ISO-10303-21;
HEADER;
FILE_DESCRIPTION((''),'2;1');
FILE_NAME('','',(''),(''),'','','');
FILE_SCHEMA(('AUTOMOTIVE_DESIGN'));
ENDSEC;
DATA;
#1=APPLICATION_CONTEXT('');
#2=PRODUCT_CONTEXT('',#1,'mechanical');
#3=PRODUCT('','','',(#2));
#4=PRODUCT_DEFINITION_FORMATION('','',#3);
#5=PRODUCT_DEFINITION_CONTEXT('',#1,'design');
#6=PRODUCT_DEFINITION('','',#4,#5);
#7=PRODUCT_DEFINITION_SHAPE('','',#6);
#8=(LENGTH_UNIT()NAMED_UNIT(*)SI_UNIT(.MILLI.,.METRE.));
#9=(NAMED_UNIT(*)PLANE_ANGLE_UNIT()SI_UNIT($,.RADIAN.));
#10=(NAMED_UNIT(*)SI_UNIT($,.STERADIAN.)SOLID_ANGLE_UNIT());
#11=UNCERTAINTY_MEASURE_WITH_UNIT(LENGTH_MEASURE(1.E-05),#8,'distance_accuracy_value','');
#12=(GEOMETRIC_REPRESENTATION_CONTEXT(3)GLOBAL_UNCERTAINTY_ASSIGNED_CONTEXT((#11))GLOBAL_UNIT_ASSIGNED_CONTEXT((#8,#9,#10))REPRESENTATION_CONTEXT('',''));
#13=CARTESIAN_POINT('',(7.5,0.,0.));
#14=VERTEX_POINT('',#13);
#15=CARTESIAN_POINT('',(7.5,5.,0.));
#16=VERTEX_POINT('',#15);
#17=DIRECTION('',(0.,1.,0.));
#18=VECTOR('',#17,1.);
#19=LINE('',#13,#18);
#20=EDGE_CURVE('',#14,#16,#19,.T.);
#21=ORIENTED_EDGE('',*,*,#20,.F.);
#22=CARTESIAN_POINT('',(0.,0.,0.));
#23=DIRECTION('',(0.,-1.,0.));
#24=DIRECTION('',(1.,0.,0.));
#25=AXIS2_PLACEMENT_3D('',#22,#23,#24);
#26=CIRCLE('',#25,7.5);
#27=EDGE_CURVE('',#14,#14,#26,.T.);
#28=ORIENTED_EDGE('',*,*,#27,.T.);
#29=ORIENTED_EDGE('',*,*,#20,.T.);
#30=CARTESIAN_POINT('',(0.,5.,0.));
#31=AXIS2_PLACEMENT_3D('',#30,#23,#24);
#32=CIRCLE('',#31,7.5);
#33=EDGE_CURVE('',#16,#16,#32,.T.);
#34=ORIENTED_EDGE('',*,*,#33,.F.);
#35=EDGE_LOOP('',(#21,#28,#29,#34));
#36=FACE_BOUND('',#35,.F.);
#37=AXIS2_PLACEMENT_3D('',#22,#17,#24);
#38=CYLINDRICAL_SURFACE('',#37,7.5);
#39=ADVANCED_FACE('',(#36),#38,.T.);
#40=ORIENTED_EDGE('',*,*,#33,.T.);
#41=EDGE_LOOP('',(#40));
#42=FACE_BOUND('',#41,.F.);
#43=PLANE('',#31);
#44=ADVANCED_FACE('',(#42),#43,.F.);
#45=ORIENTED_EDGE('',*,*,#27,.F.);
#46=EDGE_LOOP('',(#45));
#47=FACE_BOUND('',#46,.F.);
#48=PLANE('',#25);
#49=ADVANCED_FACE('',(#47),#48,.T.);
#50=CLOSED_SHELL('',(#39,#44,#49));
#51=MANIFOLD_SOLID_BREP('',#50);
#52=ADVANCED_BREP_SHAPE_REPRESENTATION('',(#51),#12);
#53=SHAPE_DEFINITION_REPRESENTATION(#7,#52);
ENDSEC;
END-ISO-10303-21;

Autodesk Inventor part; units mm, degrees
ref_plane "YZ Plane" through (0, 0, 0) normal (1, 0, 0) x (0, 1, 0)
ref_plane "XZ Plane" through (0, 0, 0) normal (0, 1, 0) x (-1, 0, 0)
ref_plane "XY Plane" through (0, 0, 0) normal (0, 0, 1) x (1, 0, 0)
sketch "Sketch1" plane through (0, 0, 0) normal (0, 0, 1) x (1, 0, 0)
  line L0 (0, 0) -> (7.5, 0)
  line L1 (7.5, 0) -> (7.5, 5)
  line L2 (7.5, 5) -> (0, 5)
  line L3 (0, 5) -> (0, 0)
  dimension "d0" = 7.5
  dimension "d1" = 5
revolve "Revolution1" add sketch "Sketch1" angle 360 about axis through (0, 5, 0) along (0, -1, 0)
properties part number "Spacer"
